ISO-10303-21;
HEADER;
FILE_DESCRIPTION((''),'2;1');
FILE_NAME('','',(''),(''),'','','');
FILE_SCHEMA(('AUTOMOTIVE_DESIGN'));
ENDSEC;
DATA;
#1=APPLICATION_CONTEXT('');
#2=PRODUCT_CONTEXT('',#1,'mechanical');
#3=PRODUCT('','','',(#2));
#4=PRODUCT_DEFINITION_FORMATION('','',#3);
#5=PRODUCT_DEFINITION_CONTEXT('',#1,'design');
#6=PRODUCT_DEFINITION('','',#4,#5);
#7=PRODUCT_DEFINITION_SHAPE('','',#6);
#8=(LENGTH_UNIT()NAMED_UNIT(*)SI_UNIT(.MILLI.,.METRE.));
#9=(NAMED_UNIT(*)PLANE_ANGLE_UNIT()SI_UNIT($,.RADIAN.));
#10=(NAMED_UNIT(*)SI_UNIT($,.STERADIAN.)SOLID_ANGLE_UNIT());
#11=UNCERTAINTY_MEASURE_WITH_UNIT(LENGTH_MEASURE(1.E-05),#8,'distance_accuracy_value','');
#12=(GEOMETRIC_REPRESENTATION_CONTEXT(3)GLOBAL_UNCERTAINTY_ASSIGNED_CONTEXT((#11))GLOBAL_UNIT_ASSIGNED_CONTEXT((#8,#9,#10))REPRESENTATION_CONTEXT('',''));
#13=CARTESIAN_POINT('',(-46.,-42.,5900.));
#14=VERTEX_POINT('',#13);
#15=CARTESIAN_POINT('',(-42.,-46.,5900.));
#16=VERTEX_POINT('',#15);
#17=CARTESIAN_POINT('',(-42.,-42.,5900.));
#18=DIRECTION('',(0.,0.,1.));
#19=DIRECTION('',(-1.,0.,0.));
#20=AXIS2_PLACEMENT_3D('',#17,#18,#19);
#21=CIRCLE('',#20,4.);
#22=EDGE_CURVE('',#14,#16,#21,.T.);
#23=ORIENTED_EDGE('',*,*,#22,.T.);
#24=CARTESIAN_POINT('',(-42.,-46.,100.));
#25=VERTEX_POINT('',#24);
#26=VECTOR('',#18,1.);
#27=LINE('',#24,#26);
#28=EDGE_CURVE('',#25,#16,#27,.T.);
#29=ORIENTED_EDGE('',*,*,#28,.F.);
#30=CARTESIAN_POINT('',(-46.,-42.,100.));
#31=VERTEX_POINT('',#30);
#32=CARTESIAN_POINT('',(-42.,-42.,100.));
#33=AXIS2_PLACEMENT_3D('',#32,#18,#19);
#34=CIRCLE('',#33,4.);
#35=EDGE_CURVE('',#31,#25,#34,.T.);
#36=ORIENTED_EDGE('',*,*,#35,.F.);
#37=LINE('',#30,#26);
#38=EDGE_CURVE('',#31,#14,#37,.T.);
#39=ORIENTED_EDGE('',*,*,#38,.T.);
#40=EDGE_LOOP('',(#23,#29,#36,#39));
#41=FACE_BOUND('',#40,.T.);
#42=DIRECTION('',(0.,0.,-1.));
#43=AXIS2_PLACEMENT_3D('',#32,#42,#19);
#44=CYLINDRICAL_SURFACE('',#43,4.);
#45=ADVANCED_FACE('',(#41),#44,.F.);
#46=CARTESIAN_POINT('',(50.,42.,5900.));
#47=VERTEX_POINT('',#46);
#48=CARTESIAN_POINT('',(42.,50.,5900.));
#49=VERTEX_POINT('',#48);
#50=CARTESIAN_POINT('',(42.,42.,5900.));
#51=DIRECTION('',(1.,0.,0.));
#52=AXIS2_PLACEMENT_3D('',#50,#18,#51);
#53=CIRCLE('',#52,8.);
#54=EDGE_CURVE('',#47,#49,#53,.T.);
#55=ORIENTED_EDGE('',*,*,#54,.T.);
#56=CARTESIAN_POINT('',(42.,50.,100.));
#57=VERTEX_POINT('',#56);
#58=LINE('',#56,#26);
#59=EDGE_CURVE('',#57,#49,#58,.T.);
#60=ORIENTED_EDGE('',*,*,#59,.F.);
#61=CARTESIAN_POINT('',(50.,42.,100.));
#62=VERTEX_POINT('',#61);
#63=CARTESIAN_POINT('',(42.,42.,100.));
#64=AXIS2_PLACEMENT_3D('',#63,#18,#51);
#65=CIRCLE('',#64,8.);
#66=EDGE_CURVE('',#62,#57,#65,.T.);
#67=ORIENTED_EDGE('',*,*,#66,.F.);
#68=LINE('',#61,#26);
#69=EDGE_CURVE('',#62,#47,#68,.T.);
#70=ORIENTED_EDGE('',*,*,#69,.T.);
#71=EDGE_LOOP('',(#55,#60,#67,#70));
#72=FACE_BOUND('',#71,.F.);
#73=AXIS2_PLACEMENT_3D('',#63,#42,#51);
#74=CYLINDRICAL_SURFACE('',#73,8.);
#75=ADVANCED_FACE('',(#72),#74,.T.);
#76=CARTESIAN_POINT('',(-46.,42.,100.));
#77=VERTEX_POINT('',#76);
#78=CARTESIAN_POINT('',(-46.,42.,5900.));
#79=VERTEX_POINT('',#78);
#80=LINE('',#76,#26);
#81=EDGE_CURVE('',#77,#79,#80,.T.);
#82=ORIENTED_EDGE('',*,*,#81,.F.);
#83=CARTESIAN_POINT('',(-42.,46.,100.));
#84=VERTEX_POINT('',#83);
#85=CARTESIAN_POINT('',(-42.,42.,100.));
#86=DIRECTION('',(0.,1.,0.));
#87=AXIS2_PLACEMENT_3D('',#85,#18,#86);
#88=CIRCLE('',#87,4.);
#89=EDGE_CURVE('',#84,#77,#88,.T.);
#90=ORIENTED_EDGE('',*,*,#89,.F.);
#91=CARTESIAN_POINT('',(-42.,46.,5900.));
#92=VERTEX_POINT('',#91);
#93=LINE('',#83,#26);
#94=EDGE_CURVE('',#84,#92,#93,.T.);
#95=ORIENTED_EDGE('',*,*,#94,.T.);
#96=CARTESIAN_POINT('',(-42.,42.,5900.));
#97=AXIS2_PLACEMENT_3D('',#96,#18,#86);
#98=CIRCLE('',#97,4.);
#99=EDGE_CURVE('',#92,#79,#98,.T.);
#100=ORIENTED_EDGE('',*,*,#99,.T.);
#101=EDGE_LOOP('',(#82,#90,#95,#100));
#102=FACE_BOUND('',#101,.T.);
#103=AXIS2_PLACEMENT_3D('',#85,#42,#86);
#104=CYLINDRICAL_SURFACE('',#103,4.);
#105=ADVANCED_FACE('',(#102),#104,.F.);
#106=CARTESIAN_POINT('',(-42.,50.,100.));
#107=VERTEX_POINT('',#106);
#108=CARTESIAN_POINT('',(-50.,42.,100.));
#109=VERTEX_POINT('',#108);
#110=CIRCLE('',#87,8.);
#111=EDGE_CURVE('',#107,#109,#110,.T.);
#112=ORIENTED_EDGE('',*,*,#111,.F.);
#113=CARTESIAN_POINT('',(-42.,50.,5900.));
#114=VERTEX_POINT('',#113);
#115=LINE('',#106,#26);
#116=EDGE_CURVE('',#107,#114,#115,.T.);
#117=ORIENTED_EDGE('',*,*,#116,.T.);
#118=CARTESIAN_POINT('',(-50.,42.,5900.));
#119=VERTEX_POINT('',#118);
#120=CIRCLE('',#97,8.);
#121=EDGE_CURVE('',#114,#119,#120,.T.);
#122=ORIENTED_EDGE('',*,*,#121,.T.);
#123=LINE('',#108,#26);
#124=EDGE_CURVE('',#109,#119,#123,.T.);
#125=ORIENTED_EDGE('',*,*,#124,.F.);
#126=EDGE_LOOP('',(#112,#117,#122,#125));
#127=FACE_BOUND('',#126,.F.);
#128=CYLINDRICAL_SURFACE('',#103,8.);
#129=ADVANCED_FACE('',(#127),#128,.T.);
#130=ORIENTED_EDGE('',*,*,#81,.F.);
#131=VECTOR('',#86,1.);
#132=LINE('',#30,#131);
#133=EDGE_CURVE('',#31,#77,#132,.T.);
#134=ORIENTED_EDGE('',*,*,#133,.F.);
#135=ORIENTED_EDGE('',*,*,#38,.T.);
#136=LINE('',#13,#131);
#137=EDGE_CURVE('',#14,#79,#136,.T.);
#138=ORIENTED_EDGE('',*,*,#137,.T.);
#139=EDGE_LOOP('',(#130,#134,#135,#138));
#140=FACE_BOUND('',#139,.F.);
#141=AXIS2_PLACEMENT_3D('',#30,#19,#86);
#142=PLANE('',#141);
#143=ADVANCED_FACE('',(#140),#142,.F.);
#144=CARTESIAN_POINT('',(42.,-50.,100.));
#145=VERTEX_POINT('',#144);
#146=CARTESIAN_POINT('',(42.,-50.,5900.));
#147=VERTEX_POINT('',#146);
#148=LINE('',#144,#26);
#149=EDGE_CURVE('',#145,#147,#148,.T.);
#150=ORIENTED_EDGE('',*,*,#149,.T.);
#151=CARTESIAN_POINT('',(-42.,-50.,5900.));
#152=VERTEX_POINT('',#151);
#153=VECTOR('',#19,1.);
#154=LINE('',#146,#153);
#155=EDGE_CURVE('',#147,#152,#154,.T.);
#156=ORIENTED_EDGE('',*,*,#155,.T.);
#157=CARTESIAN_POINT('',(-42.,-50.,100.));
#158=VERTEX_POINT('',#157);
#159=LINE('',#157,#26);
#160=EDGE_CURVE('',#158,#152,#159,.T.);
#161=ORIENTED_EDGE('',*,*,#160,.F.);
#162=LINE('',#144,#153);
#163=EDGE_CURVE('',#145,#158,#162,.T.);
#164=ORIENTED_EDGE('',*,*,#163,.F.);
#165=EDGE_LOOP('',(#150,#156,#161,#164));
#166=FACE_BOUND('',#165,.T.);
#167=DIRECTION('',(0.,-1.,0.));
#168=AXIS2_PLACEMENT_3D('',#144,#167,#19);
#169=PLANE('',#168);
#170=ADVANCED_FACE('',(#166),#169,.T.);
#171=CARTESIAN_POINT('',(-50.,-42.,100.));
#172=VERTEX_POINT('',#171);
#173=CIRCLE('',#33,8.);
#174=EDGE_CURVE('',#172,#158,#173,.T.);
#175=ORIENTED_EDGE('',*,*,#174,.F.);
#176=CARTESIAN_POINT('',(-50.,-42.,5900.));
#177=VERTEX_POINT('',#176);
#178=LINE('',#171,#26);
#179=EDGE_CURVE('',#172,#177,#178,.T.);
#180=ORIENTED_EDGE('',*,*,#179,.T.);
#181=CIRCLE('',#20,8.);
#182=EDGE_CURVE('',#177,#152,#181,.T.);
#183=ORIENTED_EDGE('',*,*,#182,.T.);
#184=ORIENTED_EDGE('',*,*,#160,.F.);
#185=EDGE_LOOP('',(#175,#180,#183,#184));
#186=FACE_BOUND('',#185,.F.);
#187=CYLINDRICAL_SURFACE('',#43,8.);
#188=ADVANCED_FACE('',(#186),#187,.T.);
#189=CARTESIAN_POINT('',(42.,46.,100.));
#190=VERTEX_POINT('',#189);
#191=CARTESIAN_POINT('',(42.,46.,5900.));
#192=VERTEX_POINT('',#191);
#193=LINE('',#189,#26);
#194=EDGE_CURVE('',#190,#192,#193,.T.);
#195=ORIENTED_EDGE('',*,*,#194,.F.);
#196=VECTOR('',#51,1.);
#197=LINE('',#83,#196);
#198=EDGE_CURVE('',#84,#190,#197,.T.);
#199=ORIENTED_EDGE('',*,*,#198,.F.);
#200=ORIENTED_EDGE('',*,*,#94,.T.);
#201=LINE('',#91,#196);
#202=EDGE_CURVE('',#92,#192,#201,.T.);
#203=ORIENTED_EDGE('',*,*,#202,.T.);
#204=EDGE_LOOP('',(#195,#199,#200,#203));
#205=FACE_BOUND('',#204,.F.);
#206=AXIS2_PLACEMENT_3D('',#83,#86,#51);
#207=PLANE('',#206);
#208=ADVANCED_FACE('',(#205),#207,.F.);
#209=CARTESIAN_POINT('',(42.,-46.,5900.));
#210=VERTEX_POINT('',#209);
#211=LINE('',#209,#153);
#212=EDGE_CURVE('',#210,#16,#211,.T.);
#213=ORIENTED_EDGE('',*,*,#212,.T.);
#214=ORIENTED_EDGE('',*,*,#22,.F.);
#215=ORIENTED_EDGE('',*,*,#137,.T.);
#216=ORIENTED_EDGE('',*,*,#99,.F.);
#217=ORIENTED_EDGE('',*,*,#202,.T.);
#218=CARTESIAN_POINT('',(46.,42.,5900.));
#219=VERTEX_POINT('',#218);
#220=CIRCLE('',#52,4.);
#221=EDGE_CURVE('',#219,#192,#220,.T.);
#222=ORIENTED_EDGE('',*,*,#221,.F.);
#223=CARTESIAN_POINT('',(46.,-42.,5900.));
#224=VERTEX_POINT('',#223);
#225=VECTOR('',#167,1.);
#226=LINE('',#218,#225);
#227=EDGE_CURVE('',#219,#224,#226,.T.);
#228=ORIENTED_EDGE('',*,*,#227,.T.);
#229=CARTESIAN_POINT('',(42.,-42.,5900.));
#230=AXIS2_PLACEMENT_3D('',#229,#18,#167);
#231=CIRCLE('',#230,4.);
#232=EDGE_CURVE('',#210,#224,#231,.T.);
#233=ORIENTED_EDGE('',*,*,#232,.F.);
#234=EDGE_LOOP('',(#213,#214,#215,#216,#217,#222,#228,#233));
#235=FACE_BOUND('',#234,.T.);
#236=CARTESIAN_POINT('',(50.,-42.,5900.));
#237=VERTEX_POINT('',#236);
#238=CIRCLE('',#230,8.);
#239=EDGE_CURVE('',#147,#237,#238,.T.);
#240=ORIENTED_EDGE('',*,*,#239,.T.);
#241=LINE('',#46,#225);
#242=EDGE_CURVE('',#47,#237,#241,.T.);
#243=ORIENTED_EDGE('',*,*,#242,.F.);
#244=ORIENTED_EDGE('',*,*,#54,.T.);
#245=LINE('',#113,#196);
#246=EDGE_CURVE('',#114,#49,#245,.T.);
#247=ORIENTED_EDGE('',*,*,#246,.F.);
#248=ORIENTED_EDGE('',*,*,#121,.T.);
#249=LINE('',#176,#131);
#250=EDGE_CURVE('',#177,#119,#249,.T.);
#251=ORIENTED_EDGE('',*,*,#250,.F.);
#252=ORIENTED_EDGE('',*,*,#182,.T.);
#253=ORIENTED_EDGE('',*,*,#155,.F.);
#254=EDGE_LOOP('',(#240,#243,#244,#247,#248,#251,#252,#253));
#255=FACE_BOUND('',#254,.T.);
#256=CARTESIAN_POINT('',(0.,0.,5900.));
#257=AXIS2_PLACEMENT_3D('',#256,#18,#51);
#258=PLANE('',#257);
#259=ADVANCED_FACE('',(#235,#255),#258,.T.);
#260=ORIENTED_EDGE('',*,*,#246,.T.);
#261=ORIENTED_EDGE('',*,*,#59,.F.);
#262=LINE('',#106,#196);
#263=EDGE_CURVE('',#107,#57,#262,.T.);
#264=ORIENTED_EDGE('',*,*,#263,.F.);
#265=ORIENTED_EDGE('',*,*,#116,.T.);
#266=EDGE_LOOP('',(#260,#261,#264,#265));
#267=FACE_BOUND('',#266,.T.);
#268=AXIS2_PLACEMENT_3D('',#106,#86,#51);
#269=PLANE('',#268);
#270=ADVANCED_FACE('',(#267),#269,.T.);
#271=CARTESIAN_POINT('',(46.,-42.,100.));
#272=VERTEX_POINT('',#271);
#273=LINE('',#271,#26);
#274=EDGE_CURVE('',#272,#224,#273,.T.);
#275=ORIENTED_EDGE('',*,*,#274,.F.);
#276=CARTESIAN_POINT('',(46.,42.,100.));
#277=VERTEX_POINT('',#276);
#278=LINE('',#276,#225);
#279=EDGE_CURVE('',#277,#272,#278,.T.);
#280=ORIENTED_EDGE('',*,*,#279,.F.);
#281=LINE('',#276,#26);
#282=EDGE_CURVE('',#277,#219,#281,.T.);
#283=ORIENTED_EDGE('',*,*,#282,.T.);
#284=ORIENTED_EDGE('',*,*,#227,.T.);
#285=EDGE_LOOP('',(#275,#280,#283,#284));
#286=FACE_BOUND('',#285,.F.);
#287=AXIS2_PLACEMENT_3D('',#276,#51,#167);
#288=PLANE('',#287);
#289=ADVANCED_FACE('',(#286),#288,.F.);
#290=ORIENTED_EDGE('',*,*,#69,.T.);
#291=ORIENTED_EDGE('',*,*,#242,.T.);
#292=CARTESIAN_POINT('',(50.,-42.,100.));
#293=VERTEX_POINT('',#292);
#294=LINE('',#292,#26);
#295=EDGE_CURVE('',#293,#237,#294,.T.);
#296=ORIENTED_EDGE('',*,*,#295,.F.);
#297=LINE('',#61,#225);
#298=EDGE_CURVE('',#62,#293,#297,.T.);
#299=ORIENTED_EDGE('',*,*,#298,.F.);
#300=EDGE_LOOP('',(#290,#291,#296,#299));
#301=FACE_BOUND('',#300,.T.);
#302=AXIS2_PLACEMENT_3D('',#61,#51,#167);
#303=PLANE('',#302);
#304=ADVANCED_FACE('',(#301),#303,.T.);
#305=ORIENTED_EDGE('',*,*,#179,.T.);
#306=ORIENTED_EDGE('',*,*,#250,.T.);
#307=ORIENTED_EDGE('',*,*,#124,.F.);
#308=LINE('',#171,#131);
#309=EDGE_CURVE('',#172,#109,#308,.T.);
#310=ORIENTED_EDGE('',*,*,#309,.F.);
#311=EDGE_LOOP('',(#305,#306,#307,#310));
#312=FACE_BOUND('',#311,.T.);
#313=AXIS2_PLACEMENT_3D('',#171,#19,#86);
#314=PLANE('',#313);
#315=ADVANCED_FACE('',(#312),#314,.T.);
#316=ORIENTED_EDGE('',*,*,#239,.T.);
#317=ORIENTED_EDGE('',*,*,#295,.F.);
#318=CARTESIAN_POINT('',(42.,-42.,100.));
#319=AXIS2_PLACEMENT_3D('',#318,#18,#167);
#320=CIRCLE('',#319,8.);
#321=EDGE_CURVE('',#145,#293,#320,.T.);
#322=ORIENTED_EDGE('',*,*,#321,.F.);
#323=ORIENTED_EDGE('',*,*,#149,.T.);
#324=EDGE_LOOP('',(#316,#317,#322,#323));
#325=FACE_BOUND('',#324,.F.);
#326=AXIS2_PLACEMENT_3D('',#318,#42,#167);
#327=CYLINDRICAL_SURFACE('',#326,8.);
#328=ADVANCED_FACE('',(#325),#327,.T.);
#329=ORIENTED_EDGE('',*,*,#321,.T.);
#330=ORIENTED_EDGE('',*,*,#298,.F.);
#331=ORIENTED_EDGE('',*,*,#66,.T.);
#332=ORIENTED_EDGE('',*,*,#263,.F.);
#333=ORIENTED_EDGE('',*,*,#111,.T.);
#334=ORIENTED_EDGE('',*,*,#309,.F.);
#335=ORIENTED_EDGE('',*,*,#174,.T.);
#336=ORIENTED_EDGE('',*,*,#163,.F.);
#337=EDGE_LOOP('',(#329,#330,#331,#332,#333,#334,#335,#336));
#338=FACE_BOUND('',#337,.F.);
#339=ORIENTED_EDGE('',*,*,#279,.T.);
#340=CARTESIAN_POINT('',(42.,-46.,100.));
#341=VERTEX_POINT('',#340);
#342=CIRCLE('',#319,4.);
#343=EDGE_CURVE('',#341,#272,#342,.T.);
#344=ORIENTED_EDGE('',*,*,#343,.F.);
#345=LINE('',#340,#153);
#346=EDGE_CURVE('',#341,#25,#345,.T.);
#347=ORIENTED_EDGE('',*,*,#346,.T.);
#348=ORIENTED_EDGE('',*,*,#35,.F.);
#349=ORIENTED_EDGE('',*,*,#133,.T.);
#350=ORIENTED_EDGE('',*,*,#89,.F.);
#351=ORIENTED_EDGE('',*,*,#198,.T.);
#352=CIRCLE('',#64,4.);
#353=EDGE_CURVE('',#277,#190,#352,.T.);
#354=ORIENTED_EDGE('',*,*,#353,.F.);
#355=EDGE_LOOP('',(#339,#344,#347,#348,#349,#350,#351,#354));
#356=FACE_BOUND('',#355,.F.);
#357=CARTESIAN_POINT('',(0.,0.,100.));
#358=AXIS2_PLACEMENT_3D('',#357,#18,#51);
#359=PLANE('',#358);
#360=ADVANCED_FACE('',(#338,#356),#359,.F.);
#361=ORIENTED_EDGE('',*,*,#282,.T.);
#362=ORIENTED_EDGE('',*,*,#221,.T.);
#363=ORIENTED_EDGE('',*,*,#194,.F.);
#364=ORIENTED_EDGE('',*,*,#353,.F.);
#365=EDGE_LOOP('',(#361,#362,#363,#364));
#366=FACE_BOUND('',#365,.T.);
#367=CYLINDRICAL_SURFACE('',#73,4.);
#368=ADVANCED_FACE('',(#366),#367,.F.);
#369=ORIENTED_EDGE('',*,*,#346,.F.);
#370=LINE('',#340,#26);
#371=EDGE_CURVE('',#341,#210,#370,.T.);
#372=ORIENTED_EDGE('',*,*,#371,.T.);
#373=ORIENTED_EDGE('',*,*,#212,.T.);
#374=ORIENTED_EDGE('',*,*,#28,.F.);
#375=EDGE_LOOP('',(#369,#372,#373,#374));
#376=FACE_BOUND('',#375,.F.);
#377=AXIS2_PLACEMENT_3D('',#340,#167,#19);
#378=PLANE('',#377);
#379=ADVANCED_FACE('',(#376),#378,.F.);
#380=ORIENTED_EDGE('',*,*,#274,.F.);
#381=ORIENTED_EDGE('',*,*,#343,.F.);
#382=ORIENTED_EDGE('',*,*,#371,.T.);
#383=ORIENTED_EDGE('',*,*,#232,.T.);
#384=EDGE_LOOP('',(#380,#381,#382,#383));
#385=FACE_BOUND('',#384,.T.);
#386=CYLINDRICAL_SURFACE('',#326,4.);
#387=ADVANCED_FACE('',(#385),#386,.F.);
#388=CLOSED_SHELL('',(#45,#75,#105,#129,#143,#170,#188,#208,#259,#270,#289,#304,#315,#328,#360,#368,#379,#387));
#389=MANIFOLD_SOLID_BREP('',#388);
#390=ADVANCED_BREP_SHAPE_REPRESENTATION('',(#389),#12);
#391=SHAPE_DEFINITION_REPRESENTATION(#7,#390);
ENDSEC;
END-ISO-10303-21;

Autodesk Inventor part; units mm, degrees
ref_plane "YZ Plane" through (0, 0, 0) normal (1, 0, 0) x (0, 1, 0)
ref_plane "Start Plane" through (0, 0, 100) normal (0, 0, 1) x (1, 0, 0)
ref_plane "End Plane" through (0, 0, 5900) normal (0, 0, 1) x (1, 0, 0)
sketch "Sketch" plane through (0, 0, 0) normal (0, 0, 1) x (1, 0, 0)
  line L0 (-50, -42) -> (-50, 42)
  line L1 (-42, 50) -> (42, 50)
  line L2 (50, 42) -> (50, -42)
  line L3 (42, -50) -> (-42, -50)
  arc A0 (-50, -42) -> (-42, -50) centre (-42, -42) ccw
  arc A1 (50, 42) -> (42, 50) centre (42, 42) ccw
  arc A2 (-42, 50) -> (-50, 42) centre (-42, 42) ccw
  arc A3 (42, -50) -> (50, -42) centre (42, -42) ccw
  arc A4 (-42, 46) -> (-46, 42) centre (-42, 42) ccw
  line L4 (-42, 46) -> (42, 46)
  arc A5 (46, 42) -> (42, 46) centre (42, 42) ccw
  line L5 (46, 42) -> (46, -42)
  arc A6 (42, -46) -> (46, -42) centre (42, -42) ccw
  line L6 (42, -46) -> (-42, -46)
  arc A7 (-46, -42) -> (-42, -46) centre (-42, -42) ccw
  line L7 (-46, -42) -> (-46, 42)
  line L8 (0, 72.3196) -> (0, -72.3196) construction
  line L9 (-72.3196, 0) -> (72.3196, 0) construction
  dimension "d7" = 8
  dimension "d9" = 100
  dimension "d11" = 100
  dimension "d12" = 4
  dimension "d15" = 50
  dimension "d16" = 50
extrude "Body" add sketch "Sketch" along normal up to surface (5800 mm away) from surface at 100
sketch "Sketch3" plane through (0, 0, 0) normal (0, 0, 1) x (1, 0, 0)
  line L0 (0, 0) -> (10, 0)
ref_plane "Work Plane3" through (0, 0, 0) normal (0, -1, 0) x (1, 0, 0)
sketch "Sketch4" plane through (0, 0, 0) normal (0, -1, 0) x (1, 0, 0)
  line L0 (-2, 100) -> (12, 100) projected
  line L1 (-2, 5900) -> (12, 5900) projected
  dimension "d18" = 5800
equation "\"d7\" = G_IR"
equation "\"d9\" = G_W"
equation "\"d11\" = G_H"
equation "\"d12\" = G_T"
equation "\"d15\" = 0.5 * d9"
equation "\"d16\" = 0.5 * d11"
equation "\"d3\" = G_L"
equation "\"G_W\" = 100"
equation "\"G_H\" = 100"
equation "\"G_T\" = 4"
equation "\"G_IR\" = 8"
equation "\"G_L\" = d18"
properties part number "ISO 4019 - 100x100x4 - 5800" material "Steel, Mild"
